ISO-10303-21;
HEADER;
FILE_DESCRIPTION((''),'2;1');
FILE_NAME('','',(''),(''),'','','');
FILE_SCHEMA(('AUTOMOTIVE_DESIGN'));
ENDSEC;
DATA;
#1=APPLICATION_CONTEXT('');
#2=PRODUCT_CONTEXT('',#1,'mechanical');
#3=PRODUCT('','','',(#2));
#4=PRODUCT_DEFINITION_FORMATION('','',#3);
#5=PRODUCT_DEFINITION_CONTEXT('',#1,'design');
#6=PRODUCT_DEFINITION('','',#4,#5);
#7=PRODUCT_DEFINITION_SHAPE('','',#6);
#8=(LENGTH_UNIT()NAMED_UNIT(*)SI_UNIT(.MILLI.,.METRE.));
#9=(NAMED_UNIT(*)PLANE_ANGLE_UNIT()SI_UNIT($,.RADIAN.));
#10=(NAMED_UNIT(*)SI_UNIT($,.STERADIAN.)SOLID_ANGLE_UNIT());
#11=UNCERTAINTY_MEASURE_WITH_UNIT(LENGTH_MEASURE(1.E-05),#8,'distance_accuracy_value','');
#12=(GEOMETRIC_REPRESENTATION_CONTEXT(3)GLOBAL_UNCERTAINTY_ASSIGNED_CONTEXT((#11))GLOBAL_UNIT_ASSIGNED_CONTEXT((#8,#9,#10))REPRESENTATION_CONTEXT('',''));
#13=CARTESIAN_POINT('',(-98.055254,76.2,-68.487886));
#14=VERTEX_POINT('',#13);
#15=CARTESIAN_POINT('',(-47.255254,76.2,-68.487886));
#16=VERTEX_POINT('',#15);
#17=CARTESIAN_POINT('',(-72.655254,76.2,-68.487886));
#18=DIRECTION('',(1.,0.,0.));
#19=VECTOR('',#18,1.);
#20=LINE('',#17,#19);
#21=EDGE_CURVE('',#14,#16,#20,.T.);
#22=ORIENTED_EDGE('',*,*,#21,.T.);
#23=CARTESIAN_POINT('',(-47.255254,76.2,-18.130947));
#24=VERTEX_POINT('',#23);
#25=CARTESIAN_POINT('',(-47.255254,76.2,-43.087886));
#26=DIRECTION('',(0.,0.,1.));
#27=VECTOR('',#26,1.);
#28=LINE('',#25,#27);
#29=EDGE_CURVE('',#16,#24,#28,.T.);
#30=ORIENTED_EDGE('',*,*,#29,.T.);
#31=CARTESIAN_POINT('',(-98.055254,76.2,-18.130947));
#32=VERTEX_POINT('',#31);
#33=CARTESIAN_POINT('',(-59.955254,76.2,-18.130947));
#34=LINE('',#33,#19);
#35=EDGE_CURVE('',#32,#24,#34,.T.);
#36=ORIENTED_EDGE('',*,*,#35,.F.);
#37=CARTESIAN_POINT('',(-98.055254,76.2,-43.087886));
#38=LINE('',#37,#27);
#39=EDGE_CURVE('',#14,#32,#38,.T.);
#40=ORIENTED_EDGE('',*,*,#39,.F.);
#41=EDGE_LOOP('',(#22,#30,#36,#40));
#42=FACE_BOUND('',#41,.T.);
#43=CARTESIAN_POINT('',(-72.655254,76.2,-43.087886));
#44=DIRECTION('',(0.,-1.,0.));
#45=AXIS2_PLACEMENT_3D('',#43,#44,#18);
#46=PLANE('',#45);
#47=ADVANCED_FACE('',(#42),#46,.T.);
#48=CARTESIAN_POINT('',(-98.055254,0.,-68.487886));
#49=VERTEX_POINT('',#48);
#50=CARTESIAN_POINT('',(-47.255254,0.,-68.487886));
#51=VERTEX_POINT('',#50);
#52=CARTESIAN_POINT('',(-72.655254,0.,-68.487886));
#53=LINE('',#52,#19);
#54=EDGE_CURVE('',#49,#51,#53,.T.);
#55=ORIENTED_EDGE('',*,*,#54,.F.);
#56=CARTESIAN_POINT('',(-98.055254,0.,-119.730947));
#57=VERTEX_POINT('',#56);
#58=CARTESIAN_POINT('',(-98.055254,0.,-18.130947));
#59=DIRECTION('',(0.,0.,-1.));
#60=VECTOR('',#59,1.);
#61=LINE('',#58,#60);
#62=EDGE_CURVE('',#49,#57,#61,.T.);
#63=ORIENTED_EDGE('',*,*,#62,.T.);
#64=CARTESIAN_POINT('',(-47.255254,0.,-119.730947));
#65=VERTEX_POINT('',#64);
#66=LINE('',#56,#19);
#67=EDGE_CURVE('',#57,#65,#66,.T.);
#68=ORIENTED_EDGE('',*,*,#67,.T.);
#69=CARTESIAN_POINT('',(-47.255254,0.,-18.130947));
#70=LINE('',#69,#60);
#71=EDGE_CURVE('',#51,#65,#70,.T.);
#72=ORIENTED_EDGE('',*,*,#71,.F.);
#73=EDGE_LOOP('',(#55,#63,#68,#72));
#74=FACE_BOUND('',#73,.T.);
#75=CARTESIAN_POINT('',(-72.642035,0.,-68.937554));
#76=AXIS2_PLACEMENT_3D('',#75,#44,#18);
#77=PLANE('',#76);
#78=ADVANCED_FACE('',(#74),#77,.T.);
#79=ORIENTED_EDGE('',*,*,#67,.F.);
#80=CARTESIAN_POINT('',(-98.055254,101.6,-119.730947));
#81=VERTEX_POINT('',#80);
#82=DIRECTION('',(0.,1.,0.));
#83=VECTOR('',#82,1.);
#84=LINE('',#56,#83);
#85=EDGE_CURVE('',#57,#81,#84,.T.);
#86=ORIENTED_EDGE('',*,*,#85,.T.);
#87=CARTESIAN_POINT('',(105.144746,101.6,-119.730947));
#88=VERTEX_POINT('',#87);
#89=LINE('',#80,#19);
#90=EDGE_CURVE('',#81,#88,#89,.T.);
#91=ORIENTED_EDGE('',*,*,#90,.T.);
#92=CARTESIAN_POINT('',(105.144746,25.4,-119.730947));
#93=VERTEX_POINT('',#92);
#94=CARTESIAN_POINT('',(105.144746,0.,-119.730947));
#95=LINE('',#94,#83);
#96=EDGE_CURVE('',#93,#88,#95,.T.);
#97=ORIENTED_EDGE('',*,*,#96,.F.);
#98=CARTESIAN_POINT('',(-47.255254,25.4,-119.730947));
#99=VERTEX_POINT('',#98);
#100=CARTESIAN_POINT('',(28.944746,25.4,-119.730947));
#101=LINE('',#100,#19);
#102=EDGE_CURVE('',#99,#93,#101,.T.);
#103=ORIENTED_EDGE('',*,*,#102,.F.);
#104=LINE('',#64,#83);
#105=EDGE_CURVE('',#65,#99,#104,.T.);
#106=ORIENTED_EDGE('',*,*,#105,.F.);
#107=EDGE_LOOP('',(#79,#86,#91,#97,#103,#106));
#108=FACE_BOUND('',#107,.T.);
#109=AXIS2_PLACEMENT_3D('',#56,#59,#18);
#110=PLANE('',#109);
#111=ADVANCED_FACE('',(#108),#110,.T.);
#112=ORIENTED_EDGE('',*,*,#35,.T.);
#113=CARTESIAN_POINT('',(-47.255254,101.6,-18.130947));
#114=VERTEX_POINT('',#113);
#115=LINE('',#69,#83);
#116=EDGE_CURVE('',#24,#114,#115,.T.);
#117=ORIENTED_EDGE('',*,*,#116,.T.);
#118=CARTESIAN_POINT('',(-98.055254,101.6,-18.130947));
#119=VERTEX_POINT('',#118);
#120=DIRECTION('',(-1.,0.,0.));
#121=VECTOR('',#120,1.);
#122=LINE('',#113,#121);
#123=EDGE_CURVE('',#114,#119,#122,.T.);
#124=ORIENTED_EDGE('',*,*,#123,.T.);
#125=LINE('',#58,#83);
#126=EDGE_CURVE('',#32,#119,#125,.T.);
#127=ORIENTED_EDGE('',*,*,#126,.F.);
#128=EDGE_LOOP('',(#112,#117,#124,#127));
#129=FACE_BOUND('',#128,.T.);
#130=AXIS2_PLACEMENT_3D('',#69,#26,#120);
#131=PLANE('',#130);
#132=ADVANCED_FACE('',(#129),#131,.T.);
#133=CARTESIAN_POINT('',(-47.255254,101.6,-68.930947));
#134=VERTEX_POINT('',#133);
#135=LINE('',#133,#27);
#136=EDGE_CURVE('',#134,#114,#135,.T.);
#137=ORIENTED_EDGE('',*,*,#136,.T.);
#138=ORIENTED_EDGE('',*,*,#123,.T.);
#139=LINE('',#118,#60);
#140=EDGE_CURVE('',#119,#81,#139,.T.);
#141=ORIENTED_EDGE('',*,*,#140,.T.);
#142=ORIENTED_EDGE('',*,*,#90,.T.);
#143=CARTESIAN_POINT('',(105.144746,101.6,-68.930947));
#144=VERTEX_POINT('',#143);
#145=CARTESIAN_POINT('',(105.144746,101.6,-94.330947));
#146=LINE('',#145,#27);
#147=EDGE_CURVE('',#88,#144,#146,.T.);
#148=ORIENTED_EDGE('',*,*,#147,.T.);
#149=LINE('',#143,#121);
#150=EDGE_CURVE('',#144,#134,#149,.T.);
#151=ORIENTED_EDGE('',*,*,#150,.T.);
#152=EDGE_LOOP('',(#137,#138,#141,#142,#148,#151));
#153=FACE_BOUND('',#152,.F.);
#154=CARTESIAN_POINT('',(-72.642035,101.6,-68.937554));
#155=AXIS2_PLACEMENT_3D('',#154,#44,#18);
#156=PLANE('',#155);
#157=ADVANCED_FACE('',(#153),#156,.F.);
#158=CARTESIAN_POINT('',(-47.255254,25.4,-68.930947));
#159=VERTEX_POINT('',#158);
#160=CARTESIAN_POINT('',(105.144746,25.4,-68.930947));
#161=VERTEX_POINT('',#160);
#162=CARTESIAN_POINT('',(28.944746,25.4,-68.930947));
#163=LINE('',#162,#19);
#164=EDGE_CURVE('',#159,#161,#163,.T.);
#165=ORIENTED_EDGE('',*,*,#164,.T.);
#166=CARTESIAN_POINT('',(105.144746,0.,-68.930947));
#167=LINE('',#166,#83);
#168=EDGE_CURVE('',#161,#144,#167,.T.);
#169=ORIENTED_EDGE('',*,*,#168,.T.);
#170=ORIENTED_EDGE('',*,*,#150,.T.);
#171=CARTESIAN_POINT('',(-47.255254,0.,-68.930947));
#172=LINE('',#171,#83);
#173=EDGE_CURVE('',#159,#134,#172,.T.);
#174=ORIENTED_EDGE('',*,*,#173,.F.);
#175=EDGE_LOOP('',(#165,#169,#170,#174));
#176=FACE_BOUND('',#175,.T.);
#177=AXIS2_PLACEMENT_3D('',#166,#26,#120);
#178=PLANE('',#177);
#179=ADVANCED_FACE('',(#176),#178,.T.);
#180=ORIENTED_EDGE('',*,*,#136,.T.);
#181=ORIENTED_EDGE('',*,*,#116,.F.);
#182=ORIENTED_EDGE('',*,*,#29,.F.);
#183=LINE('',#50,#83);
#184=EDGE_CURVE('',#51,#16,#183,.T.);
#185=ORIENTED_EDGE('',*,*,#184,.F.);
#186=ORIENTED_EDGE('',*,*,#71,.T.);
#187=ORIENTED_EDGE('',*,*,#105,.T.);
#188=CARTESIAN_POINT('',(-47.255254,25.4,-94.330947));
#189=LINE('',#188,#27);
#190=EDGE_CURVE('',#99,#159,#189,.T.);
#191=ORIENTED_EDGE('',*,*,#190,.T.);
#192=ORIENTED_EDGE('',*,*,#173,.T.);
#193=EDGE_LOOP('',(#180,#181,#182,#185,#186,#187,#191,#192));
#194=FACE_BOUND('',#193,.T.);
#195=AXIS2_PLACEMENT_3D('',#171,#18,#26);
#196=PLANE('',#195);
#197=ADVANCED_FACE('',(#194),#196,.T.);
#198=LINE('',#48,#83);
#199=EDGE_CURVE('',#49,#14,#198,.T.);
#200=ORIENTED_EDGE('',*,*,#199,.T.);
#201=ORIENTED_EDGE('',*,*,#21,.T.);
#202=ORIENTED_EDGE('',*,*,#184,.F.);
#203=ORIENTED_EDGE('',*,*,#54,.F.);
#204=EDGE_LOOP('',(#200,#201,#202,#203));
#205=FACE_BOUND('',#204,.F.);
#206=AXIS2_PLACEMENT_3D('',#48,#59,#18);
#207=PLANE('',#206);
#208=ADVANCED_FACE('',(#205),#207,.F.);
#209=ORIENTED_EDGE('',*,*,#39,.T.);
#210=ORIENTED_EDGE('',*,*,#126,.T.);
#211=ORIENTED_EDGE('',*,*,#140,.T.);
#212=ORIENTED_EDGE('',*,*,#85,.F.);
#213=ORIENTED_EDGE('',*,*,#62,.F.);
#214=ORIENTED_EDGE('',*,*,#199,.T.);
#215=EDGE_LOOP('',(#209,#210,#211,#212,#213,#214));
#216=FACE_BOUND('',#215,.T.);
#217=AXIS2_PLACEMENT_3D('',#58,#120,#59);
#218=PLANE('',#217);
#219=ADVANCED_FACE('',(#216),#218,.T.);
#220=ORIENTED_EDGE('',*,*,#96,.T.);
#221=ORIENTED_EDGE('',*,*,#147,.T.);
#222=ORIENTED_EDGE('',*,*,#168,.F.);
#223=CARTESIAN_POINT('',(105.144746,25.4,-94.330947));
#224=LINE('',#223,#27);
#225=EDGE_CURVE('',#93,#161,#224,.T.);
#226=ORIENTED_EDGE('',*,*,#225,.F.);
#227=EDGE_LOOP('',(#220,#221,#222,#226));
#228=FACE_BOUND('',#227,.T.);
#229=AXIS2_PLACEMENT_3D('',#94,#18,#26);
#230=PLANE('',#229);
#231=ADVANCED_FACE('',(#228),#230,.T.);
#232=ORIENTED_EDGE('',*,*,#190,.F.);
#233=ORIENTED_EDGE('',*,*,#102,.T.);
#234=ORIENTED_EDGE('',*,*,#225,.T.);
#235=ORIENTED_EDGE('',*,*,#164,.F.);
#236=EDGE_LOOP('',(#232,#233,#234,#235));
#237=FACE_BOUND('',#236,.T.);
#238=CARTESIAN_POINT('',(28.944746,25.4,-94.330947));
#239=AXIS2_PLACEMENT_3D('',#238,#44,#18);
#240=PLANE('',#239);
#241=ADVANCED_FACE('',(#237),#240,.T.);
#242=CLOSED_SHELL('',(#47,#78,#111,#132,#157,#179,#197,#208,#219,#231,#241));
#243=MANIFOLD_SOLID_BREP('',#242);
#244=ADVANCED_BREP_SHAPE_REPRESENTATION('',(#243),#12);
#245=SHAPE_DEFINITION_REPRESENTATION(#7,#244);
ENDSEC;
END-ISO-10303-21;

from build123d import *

# Parameters (mm, degrees)
F0_W     = 152.3603492588
F0_H     = 50.8
F1_DEPTH = 101.6
F2_W     = 152.4
F2_H     = 50.8
F3_DEPTH = 25.4
F4_W     = 50.8
F4_H     = 50.8
F5_DEPTH = 76.2


with BuildPart() as f1:
    # F0 (on Front) → F1 (new body)
    with BuildSketch(Plane.XZ):
        Polygon((-47.2552540332, -18.1309473828), (-98.0552540332, -18.1309473828), (-98.0552540332, -119.7309473828), (-47.215603292, -119.7309473828), (-47.215603292, -68.9309473828), (-47.2552540332, -68.9309473828), align=None)
        with Locations((28.9645713374, -94.3309473828)):
            Rectangle(F0_W, F0_H)
    extrude(amount=-F1_DEPTH)

    # F2 (on Front) → F3 (cut)
    with BuildSketch(Plane.XZ):
        with Locations((28.9447459668, -94.3309473828)):
            Rectangle(F2_W, F2_H)
    extrude(amount=-F3_DEPTH, mode=Mode.SUBTRACT)

    # F4 (on Front) → F5 (cut)
    with BuildSketch(Plane.XZ):
        with Locations((-72.6552540332, -43.0878863094)):
            Rectangle(F4_W, F4_H)
    extrude(amount=-F5_DEPTH, mode=Mode.SUBTRACT)


solid = f1.part
